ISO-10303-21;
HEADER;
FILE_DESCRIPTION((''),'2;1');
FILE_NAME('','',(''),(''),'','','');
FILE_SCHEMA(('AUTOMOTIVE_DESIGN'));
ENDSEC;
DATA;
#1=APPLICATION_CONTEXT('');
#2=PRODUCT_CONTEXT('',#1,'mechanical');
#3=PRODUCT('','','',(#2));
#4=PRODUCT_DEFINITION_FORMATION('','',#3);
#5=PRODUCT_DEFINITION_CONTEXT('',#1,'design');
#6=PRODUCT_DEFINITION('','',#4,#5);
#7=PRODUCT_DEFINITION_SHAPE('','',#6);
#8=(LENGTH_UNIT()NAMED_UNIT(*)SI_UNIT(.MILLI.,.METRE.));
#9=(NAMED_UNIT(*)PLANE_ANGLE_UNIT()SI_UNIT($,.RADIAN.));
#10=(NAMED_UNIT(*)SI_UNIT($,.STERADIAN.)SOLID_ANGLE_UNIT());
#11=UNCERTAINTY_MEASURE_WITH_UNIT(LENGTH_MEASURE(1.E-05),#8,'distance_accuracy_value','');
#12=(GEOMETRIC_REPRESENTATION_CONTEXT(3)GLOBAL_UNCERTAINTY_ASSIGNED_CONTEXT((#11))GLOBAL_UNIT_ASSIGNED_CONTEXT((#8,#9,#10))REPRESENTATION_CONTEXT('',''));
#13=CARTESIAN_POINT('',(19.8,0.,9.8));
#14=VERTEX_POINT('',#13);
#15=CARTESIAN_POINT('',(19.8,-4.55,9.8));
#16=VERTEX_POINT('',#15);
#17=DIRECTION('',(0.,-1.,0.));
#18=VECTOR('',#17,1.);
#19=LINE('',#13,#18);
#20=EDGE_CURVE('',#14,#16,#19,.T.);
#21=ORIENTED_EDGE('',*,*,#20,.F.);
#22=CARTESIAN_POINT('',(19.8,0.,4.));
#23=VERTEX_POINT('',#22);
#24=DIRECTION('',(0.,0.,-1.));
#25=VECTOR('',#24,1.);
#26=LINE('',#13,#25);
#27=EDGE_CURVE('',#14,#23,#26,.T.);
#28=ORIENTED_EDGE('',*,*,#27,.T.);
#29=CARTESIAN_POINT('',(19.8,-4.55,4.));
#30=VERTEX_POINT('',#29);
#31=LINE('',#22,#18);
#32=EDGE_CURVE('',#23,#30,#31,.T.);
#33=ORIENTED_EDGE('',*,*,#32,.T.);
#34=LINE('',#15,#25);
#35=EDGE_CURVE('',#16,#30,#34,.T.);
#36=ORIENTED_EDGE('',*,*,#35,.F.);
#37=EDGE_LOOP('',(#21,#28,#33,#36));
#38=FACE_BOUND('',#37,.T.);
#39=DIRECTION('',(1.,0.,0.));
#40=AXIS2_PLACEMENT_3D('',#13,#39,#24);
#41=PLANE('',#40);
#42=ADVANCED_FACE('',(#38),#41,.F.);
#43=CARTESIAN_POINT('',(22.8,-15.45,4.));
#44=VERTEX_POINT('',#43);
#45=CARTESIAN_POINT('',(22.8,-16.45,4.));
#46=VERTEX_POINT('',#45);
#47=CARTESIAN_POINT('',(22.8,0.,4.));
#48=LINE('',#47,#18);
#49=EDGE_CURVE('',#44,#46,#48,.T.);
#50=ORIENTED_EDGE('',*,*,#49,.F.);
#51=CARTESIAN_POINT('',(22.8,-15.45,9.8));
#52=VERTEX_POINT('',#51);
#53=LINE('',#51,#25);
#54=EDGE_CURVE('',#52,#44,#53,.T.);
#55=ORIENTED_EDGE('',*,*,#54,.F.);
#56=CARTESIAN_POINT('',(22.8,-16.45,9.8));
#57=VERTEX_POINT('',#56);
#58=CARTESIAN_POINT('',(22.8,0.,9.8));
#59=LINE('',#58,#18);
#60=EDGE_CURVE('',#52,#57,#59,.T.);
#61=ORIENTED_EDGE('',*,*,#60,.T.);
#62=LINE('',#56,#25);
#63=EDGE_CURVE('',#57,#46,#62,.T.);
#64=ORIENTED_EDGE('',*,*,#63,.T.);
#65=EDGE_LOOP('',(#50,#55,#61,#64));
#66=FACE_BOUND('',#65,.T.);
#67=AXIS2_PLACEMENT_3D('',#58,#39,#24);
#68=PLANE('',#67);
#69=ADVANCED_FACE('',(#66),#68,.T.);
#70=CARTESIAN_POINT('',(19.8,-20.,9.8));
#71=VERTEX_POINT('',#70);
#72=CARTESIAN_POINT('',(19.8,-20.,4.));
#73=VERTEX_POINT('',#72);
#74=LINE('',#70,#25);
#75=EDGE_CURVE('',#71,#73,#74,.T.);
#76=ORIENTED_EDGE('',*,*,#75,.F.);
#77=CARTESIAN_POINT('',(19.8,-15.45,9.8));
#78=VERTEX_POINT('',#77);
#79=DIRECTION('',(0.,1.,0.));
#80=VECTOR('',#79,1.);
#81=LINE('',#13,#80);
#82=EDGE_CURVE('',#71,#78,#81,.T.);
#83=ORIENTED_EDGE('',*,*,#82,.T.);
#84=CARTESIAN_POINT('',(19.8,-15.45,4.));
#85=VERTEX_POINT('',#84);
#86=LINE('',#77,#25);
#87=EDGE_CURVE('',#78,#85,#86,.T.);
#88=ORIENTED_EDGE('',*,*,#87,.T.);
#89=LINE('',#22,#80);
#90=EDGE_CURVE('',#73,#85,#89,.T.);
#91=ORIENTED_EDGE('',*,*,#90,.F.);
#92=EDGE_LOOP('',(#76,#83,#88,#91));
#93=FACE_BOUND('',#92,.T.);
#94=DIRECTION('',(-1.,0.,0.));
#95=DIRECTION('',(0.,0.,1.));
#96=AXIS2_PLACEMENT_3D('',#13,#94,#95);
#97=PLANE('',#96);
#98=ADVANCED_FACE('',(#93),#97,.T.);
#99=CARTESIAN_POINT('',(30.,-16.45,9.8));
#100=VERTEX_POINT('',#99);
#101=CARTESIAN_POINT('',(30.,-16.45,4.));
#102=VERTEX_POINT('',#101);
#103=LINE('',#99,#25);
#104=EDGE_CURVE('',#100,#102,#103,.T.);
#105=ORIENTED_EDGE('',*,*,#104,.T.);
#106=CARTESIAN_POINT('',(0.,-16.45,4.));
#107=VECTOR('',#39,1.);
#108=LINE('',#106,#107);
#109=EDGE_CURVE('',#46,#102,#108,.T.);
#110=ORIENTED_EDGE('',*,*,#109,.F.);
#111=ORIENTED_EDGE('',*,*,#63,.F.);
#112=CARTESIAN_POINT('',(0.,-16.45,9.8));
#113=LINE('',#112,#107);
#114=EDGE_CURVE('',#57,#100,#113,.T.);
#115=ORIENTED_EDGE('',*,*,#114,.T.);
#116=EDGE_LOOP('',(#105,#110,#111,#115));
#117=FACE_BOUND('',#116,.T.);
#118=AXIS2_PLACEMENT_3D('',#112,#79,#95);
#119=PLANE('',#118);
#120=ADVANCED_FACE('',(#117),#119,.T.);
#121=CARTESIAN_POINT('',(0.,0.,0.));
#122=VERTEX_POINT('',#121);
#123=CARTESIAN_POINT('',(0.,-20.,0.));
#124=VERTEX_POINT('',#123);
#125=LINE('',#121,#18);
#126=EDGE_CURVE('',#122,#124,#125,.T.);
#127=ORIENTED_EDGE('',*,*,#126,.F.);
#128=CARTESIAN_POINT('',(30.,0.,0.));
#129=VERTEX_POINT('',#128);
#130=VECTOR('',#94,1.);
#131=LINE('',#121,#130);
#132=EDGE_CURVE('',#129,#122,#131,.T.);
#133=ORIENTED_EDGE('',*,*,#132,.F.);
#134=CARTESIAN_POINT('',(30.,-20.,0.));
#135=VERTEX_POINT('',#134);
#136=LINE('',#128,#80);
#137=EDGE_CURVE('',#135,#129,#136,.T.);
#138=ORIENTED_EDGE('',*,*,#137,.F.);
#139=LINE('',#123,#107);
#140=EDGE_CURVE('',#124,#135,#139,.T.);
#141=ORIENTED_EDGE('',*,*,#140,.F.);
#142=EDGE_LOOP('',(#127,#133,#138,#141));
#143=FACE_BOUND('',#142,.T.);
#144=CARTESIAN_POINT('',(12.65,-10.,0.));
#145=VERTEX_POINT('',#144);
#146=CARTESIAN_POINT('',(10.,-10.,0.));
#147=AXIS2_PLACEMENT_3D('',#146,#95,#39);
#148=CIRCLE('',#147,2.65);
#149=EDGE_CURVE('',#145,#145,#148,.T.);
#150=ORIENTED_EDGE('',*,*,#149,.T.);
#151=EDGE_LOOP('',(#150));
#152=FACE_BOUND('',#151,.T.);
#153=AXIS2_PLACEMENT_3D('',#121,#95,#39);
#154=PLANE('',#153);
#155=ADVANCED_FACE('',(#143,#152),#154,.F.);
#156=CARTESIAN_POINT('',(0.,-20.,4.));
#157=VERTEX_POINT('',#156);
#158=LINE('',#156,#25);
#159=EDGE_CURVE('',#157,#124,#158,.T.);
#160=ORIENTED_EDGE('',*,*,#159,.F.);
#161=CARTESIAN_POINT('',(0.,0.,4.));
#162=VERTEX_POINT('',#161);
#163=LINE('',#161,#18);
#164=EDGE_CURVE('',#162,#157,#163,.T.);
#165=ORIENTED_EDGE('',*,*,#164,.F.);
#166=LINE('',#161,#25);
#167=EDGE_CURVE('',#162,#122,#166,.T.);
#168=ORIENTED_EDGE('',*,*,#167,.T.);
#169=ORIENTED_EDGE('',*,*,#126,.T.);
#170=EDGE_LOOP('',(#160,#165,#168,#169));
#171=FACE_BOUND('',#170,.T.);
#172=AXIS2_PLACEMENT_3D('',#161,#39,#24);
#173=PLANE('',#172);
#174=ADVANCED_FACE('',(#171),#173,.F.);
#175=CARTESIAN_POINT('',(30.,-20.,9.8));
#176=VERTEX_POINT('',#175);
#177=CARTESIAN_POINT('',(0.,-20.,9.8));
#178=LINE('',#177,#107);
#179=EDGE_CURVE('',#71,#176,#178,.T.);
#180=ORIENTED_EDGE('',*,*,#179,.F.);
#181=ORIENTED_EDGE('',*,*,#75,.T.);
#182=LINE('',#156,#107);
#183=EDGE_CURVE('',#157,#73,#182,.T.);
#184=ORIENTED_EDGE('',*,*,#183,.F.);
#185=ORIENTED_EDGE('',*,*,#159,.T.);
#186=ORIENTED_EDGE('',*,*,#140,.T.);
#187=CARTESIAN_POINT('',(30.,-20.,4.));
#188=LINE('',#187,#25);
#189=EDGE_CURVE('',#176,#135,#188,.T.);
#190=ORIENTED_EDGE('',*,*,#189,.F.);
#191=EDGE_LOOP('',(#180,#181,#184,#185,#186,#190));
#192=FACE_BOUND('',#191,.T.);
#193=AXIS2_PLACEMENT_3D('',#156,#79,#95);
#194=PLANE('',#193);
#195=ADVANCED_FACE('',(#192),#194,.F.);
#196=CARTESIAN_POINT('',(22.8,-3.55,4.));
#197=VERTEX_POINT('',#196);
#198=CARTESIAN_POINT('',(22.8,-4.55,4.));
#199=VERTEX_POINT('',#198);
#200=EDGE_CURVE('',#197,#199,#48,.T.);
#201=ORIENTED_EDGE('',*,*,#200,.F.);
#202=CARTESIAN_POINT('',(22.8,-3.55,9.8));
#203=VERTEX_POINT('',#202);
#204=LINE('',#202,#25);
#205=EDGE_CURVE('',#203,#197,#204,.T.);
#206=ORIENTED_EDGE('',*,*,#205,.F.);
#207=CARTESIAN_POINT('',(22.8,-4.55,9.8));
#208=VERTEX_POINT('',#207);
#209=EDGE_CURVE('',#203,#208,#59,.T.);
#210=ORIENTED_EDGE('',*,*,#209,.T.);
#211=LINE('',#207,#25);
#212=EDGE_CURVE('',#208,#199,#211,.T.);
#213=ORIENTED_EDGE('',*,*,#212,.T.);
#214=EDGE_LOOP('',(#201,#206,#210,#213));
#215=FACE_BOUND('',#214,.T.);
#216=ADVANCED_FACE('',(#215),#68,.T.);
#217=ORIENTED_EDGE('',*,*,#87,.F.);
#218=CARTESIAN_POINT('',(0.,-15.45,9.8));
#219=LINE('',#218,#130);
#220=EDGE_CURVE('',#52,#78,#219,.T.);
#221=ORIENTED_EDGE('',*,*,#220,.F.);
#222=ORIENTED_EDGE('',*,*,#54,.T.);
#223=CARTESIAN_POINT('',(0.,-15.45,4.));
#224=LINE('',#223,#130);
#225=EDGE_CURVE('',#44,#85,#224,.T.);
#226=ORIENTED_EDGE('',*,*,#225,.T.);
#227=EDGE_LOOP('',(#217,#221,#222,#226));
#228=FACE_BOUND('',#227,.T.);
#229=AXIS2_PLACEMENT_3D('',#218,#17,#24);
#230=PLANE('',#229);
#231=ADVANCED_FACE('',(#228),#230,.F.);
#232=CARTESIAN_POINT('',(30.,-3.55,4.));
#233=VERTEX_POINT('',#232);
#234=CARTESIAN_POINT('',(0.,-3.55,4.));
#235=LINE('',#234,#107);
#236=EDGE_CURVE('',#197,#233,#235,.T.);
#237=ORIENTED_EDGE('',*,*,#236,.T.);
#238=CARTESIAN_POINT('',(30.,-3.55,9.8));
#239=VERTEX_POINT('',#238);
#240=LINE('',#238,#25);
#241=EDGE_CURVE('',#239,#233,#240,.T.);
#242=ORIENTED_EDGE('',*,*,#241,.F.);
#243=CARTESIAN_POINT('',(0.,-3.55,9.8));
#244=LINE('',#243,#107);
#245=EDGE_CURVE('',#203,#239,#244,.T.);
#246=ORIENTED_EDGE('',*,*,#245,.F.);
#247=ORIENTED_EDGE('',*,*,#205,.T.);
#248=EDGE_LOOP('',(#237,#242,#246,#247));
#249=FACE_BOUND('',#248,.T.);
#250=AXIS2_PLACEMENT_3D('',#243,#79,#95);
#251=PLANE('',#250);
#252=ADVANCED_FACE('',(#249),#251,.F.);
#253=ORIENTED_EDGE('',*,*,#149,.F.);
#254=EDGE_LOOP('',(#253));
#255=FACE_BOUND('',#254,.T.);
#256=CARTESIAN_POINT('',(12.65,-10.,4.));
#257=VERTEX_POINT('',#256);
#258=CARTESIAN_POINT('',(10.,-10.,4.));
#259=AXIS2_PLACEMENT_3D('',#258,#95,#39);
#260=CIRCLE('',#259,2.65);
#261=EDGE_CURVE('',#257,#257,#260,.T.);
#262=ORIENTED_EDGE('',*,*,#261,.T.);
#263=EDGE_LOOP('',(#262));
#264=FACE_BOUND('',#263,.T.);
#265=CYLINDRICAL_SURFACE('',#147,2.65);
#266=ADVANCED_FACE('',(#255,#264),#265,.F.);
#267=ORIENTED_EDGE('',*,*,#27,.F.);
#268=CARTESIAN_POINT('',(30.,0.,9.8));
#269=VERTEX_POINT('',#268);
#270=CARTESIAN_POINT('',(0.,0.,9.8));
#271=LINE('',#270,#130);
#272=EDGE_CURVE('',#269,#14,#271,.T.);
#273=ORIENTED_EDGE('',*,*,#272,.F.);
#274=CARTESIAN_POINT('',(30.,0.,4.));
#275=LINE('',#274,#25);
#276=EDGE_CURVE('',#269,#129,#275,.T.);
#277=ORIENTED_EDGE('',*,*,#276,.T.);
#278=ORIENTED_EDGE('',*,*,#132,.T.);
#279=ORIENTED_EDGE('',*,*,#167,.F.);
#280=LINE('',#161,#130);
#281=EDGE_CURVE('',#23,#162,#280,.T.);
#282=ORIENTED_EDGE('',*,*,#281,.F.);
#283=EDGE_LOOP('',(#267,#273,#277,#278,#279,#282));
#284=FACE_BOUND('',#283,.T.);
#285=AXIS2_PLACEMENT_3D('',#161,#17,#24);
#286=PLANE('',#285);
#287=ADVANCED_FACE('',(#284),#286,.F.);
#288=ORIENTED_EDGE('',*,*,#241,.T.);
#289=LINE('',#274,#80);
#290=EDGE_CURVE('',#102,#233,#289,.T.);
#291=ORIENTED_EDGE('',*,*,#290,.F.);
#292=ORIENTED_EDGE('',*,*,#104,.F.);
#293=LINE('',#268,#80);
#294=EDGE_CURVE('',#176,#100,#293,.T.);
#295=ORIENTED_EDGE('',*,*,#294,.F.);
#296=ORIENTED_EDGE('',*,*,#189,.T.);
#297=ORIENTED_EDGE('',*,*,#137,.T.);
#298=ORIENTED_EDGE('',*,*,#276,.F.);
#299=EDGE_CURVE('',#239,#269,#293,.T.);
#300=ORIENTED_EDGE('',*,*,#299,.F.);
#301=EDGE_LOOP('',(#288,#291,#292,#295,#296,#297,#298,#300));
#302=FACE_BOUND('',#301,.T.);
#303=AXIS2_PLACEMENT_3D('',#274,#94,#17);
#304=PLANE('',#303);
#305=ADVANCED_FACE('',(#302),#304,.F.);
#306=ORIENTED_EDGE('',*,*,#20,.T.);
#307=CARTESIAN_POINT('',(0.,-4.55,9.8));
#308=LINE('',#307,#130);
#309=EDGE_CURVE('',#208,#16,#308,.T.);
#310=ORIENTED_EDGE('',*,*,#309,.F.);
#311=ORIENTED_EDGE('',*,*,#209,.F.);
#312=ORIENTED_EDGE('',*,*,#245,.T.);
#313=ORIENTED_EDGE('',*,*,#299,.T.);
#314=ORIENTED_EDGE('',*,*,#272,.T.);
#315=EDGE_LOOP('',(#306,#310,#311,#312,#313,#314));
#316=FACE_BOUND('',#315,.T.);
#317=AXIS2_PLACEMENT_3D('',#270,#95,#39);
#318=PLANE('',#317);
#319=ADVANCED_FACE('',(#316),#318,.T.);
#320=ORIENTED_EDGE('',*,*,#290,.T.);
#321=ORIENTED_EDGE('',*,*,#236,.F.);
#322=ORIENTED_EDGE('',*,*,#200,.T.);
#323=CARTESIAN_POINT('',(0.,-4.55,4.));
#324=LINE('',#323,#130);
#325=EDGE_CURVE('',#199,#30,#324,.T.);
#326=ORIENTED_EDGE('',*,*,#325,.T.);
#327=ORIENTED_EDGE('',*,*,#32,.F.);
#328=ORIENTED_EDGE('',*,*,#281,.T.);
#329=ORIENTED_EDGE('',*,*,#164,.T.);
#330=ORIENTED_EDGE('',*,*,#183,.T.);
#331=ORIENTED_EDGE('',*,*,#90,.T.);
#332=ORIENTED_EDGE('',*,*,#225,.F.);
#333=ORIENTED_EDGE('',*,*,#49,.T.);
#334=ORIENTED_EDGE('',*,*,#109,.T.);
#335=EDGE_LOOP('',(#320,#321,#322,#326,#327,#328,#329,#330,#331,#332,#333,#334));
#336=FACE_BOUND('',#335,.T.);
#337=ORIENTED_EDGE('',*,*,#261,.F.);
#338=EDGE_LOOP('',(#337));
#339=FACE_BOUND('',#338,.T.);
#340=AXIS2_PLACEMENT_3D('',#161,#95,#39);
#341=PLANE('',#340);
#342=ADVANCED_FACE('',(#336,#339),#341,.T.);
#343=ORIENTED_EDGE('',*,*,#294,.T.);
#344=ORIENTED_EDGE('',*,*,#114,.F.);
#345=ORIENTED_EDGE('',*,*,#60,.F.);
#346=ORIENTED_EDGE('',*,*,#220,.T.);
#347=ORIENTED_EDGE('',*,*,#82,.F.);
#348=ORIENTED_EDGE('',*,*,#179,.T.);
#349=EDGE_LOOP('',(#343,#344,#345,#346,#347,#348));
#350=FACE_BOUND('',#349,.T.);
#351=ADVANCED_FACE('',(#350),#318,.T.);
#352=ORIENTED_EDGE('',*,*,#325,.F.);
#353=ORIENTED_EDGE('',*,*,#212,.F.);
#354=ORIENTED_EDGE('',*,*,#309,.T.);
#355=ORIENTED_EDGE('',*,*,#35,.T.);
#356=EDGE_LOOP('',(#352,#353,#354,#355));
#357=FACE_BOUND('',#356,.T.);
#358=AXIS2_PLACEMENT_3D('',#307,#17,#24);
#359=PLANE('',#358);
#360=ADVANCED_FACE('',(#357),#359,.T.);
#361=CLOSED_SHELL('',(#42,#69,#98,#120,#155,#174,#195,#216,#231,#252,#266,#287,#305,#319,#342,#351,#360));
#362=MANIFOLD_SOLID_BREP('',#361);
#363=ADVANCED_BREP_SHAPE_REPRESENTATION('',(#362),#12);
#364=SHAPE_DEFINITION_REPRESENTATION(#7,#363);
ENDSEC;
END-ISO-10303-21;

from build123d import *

# Parameters (mm, degrees)
SKETCH1_W           = 30
SKETCH1_H           = 20
BOSS_EXTRUDE1_DEPTH = 4
SKETCH2_R           = 2.65
CUT_EXTRUDE1_DEPTH  = 37.276714294
BOSS_EXTRUDE2_DEPTH = 5.8


with BuildPart() as part:
    # Sketch1 → Boss-Extrude1 (new body)
    with BuildSketch(Plane.XY):
        with Locations((15, -10)):
            Rectangle(SKETCH1_W, SKETCH1_H)
    extrude(amount=BOSS_EXTRUDE1_DEPTH)

    # Sketch2 → Cut-Extrude1 (cut, through all)
    with BuildSketch(Plane.XY.offset(4)):
        with Locations((10, -10)):
            Circle(SKETCH2_R)
    extrude(amount=-CUT_EXTRUDE1_DEPTH, mode=Mode.SUBTRACT)

    # Sketch3 → Boss-Extrude2 (add)
    with BuildSketch(Plane.XY.offset(4)):
        Polygon((22.8, -4.55), (22.8, -3.55), (22.8, 0), (19.8, 0), (19.8, -4.55), align=None)
        Polygon((22.8, 0), (22.8, -3.55), (29, -3.55), (30, -3.55), (30, 0), align=None)
        Polygon((22.8, -16.45), (22.8, -15.45), (19.8, -15.45), (19.8, -20), (22.8, -20), align=None)
        Polygon((30, -16.45), (29, -16.45), (22.8, -16.45), (22.8, -20), (30, -20), align=None)
    extrude(amount=BOSS_EXTRUDE2_DEPTH)


solid = part.part
